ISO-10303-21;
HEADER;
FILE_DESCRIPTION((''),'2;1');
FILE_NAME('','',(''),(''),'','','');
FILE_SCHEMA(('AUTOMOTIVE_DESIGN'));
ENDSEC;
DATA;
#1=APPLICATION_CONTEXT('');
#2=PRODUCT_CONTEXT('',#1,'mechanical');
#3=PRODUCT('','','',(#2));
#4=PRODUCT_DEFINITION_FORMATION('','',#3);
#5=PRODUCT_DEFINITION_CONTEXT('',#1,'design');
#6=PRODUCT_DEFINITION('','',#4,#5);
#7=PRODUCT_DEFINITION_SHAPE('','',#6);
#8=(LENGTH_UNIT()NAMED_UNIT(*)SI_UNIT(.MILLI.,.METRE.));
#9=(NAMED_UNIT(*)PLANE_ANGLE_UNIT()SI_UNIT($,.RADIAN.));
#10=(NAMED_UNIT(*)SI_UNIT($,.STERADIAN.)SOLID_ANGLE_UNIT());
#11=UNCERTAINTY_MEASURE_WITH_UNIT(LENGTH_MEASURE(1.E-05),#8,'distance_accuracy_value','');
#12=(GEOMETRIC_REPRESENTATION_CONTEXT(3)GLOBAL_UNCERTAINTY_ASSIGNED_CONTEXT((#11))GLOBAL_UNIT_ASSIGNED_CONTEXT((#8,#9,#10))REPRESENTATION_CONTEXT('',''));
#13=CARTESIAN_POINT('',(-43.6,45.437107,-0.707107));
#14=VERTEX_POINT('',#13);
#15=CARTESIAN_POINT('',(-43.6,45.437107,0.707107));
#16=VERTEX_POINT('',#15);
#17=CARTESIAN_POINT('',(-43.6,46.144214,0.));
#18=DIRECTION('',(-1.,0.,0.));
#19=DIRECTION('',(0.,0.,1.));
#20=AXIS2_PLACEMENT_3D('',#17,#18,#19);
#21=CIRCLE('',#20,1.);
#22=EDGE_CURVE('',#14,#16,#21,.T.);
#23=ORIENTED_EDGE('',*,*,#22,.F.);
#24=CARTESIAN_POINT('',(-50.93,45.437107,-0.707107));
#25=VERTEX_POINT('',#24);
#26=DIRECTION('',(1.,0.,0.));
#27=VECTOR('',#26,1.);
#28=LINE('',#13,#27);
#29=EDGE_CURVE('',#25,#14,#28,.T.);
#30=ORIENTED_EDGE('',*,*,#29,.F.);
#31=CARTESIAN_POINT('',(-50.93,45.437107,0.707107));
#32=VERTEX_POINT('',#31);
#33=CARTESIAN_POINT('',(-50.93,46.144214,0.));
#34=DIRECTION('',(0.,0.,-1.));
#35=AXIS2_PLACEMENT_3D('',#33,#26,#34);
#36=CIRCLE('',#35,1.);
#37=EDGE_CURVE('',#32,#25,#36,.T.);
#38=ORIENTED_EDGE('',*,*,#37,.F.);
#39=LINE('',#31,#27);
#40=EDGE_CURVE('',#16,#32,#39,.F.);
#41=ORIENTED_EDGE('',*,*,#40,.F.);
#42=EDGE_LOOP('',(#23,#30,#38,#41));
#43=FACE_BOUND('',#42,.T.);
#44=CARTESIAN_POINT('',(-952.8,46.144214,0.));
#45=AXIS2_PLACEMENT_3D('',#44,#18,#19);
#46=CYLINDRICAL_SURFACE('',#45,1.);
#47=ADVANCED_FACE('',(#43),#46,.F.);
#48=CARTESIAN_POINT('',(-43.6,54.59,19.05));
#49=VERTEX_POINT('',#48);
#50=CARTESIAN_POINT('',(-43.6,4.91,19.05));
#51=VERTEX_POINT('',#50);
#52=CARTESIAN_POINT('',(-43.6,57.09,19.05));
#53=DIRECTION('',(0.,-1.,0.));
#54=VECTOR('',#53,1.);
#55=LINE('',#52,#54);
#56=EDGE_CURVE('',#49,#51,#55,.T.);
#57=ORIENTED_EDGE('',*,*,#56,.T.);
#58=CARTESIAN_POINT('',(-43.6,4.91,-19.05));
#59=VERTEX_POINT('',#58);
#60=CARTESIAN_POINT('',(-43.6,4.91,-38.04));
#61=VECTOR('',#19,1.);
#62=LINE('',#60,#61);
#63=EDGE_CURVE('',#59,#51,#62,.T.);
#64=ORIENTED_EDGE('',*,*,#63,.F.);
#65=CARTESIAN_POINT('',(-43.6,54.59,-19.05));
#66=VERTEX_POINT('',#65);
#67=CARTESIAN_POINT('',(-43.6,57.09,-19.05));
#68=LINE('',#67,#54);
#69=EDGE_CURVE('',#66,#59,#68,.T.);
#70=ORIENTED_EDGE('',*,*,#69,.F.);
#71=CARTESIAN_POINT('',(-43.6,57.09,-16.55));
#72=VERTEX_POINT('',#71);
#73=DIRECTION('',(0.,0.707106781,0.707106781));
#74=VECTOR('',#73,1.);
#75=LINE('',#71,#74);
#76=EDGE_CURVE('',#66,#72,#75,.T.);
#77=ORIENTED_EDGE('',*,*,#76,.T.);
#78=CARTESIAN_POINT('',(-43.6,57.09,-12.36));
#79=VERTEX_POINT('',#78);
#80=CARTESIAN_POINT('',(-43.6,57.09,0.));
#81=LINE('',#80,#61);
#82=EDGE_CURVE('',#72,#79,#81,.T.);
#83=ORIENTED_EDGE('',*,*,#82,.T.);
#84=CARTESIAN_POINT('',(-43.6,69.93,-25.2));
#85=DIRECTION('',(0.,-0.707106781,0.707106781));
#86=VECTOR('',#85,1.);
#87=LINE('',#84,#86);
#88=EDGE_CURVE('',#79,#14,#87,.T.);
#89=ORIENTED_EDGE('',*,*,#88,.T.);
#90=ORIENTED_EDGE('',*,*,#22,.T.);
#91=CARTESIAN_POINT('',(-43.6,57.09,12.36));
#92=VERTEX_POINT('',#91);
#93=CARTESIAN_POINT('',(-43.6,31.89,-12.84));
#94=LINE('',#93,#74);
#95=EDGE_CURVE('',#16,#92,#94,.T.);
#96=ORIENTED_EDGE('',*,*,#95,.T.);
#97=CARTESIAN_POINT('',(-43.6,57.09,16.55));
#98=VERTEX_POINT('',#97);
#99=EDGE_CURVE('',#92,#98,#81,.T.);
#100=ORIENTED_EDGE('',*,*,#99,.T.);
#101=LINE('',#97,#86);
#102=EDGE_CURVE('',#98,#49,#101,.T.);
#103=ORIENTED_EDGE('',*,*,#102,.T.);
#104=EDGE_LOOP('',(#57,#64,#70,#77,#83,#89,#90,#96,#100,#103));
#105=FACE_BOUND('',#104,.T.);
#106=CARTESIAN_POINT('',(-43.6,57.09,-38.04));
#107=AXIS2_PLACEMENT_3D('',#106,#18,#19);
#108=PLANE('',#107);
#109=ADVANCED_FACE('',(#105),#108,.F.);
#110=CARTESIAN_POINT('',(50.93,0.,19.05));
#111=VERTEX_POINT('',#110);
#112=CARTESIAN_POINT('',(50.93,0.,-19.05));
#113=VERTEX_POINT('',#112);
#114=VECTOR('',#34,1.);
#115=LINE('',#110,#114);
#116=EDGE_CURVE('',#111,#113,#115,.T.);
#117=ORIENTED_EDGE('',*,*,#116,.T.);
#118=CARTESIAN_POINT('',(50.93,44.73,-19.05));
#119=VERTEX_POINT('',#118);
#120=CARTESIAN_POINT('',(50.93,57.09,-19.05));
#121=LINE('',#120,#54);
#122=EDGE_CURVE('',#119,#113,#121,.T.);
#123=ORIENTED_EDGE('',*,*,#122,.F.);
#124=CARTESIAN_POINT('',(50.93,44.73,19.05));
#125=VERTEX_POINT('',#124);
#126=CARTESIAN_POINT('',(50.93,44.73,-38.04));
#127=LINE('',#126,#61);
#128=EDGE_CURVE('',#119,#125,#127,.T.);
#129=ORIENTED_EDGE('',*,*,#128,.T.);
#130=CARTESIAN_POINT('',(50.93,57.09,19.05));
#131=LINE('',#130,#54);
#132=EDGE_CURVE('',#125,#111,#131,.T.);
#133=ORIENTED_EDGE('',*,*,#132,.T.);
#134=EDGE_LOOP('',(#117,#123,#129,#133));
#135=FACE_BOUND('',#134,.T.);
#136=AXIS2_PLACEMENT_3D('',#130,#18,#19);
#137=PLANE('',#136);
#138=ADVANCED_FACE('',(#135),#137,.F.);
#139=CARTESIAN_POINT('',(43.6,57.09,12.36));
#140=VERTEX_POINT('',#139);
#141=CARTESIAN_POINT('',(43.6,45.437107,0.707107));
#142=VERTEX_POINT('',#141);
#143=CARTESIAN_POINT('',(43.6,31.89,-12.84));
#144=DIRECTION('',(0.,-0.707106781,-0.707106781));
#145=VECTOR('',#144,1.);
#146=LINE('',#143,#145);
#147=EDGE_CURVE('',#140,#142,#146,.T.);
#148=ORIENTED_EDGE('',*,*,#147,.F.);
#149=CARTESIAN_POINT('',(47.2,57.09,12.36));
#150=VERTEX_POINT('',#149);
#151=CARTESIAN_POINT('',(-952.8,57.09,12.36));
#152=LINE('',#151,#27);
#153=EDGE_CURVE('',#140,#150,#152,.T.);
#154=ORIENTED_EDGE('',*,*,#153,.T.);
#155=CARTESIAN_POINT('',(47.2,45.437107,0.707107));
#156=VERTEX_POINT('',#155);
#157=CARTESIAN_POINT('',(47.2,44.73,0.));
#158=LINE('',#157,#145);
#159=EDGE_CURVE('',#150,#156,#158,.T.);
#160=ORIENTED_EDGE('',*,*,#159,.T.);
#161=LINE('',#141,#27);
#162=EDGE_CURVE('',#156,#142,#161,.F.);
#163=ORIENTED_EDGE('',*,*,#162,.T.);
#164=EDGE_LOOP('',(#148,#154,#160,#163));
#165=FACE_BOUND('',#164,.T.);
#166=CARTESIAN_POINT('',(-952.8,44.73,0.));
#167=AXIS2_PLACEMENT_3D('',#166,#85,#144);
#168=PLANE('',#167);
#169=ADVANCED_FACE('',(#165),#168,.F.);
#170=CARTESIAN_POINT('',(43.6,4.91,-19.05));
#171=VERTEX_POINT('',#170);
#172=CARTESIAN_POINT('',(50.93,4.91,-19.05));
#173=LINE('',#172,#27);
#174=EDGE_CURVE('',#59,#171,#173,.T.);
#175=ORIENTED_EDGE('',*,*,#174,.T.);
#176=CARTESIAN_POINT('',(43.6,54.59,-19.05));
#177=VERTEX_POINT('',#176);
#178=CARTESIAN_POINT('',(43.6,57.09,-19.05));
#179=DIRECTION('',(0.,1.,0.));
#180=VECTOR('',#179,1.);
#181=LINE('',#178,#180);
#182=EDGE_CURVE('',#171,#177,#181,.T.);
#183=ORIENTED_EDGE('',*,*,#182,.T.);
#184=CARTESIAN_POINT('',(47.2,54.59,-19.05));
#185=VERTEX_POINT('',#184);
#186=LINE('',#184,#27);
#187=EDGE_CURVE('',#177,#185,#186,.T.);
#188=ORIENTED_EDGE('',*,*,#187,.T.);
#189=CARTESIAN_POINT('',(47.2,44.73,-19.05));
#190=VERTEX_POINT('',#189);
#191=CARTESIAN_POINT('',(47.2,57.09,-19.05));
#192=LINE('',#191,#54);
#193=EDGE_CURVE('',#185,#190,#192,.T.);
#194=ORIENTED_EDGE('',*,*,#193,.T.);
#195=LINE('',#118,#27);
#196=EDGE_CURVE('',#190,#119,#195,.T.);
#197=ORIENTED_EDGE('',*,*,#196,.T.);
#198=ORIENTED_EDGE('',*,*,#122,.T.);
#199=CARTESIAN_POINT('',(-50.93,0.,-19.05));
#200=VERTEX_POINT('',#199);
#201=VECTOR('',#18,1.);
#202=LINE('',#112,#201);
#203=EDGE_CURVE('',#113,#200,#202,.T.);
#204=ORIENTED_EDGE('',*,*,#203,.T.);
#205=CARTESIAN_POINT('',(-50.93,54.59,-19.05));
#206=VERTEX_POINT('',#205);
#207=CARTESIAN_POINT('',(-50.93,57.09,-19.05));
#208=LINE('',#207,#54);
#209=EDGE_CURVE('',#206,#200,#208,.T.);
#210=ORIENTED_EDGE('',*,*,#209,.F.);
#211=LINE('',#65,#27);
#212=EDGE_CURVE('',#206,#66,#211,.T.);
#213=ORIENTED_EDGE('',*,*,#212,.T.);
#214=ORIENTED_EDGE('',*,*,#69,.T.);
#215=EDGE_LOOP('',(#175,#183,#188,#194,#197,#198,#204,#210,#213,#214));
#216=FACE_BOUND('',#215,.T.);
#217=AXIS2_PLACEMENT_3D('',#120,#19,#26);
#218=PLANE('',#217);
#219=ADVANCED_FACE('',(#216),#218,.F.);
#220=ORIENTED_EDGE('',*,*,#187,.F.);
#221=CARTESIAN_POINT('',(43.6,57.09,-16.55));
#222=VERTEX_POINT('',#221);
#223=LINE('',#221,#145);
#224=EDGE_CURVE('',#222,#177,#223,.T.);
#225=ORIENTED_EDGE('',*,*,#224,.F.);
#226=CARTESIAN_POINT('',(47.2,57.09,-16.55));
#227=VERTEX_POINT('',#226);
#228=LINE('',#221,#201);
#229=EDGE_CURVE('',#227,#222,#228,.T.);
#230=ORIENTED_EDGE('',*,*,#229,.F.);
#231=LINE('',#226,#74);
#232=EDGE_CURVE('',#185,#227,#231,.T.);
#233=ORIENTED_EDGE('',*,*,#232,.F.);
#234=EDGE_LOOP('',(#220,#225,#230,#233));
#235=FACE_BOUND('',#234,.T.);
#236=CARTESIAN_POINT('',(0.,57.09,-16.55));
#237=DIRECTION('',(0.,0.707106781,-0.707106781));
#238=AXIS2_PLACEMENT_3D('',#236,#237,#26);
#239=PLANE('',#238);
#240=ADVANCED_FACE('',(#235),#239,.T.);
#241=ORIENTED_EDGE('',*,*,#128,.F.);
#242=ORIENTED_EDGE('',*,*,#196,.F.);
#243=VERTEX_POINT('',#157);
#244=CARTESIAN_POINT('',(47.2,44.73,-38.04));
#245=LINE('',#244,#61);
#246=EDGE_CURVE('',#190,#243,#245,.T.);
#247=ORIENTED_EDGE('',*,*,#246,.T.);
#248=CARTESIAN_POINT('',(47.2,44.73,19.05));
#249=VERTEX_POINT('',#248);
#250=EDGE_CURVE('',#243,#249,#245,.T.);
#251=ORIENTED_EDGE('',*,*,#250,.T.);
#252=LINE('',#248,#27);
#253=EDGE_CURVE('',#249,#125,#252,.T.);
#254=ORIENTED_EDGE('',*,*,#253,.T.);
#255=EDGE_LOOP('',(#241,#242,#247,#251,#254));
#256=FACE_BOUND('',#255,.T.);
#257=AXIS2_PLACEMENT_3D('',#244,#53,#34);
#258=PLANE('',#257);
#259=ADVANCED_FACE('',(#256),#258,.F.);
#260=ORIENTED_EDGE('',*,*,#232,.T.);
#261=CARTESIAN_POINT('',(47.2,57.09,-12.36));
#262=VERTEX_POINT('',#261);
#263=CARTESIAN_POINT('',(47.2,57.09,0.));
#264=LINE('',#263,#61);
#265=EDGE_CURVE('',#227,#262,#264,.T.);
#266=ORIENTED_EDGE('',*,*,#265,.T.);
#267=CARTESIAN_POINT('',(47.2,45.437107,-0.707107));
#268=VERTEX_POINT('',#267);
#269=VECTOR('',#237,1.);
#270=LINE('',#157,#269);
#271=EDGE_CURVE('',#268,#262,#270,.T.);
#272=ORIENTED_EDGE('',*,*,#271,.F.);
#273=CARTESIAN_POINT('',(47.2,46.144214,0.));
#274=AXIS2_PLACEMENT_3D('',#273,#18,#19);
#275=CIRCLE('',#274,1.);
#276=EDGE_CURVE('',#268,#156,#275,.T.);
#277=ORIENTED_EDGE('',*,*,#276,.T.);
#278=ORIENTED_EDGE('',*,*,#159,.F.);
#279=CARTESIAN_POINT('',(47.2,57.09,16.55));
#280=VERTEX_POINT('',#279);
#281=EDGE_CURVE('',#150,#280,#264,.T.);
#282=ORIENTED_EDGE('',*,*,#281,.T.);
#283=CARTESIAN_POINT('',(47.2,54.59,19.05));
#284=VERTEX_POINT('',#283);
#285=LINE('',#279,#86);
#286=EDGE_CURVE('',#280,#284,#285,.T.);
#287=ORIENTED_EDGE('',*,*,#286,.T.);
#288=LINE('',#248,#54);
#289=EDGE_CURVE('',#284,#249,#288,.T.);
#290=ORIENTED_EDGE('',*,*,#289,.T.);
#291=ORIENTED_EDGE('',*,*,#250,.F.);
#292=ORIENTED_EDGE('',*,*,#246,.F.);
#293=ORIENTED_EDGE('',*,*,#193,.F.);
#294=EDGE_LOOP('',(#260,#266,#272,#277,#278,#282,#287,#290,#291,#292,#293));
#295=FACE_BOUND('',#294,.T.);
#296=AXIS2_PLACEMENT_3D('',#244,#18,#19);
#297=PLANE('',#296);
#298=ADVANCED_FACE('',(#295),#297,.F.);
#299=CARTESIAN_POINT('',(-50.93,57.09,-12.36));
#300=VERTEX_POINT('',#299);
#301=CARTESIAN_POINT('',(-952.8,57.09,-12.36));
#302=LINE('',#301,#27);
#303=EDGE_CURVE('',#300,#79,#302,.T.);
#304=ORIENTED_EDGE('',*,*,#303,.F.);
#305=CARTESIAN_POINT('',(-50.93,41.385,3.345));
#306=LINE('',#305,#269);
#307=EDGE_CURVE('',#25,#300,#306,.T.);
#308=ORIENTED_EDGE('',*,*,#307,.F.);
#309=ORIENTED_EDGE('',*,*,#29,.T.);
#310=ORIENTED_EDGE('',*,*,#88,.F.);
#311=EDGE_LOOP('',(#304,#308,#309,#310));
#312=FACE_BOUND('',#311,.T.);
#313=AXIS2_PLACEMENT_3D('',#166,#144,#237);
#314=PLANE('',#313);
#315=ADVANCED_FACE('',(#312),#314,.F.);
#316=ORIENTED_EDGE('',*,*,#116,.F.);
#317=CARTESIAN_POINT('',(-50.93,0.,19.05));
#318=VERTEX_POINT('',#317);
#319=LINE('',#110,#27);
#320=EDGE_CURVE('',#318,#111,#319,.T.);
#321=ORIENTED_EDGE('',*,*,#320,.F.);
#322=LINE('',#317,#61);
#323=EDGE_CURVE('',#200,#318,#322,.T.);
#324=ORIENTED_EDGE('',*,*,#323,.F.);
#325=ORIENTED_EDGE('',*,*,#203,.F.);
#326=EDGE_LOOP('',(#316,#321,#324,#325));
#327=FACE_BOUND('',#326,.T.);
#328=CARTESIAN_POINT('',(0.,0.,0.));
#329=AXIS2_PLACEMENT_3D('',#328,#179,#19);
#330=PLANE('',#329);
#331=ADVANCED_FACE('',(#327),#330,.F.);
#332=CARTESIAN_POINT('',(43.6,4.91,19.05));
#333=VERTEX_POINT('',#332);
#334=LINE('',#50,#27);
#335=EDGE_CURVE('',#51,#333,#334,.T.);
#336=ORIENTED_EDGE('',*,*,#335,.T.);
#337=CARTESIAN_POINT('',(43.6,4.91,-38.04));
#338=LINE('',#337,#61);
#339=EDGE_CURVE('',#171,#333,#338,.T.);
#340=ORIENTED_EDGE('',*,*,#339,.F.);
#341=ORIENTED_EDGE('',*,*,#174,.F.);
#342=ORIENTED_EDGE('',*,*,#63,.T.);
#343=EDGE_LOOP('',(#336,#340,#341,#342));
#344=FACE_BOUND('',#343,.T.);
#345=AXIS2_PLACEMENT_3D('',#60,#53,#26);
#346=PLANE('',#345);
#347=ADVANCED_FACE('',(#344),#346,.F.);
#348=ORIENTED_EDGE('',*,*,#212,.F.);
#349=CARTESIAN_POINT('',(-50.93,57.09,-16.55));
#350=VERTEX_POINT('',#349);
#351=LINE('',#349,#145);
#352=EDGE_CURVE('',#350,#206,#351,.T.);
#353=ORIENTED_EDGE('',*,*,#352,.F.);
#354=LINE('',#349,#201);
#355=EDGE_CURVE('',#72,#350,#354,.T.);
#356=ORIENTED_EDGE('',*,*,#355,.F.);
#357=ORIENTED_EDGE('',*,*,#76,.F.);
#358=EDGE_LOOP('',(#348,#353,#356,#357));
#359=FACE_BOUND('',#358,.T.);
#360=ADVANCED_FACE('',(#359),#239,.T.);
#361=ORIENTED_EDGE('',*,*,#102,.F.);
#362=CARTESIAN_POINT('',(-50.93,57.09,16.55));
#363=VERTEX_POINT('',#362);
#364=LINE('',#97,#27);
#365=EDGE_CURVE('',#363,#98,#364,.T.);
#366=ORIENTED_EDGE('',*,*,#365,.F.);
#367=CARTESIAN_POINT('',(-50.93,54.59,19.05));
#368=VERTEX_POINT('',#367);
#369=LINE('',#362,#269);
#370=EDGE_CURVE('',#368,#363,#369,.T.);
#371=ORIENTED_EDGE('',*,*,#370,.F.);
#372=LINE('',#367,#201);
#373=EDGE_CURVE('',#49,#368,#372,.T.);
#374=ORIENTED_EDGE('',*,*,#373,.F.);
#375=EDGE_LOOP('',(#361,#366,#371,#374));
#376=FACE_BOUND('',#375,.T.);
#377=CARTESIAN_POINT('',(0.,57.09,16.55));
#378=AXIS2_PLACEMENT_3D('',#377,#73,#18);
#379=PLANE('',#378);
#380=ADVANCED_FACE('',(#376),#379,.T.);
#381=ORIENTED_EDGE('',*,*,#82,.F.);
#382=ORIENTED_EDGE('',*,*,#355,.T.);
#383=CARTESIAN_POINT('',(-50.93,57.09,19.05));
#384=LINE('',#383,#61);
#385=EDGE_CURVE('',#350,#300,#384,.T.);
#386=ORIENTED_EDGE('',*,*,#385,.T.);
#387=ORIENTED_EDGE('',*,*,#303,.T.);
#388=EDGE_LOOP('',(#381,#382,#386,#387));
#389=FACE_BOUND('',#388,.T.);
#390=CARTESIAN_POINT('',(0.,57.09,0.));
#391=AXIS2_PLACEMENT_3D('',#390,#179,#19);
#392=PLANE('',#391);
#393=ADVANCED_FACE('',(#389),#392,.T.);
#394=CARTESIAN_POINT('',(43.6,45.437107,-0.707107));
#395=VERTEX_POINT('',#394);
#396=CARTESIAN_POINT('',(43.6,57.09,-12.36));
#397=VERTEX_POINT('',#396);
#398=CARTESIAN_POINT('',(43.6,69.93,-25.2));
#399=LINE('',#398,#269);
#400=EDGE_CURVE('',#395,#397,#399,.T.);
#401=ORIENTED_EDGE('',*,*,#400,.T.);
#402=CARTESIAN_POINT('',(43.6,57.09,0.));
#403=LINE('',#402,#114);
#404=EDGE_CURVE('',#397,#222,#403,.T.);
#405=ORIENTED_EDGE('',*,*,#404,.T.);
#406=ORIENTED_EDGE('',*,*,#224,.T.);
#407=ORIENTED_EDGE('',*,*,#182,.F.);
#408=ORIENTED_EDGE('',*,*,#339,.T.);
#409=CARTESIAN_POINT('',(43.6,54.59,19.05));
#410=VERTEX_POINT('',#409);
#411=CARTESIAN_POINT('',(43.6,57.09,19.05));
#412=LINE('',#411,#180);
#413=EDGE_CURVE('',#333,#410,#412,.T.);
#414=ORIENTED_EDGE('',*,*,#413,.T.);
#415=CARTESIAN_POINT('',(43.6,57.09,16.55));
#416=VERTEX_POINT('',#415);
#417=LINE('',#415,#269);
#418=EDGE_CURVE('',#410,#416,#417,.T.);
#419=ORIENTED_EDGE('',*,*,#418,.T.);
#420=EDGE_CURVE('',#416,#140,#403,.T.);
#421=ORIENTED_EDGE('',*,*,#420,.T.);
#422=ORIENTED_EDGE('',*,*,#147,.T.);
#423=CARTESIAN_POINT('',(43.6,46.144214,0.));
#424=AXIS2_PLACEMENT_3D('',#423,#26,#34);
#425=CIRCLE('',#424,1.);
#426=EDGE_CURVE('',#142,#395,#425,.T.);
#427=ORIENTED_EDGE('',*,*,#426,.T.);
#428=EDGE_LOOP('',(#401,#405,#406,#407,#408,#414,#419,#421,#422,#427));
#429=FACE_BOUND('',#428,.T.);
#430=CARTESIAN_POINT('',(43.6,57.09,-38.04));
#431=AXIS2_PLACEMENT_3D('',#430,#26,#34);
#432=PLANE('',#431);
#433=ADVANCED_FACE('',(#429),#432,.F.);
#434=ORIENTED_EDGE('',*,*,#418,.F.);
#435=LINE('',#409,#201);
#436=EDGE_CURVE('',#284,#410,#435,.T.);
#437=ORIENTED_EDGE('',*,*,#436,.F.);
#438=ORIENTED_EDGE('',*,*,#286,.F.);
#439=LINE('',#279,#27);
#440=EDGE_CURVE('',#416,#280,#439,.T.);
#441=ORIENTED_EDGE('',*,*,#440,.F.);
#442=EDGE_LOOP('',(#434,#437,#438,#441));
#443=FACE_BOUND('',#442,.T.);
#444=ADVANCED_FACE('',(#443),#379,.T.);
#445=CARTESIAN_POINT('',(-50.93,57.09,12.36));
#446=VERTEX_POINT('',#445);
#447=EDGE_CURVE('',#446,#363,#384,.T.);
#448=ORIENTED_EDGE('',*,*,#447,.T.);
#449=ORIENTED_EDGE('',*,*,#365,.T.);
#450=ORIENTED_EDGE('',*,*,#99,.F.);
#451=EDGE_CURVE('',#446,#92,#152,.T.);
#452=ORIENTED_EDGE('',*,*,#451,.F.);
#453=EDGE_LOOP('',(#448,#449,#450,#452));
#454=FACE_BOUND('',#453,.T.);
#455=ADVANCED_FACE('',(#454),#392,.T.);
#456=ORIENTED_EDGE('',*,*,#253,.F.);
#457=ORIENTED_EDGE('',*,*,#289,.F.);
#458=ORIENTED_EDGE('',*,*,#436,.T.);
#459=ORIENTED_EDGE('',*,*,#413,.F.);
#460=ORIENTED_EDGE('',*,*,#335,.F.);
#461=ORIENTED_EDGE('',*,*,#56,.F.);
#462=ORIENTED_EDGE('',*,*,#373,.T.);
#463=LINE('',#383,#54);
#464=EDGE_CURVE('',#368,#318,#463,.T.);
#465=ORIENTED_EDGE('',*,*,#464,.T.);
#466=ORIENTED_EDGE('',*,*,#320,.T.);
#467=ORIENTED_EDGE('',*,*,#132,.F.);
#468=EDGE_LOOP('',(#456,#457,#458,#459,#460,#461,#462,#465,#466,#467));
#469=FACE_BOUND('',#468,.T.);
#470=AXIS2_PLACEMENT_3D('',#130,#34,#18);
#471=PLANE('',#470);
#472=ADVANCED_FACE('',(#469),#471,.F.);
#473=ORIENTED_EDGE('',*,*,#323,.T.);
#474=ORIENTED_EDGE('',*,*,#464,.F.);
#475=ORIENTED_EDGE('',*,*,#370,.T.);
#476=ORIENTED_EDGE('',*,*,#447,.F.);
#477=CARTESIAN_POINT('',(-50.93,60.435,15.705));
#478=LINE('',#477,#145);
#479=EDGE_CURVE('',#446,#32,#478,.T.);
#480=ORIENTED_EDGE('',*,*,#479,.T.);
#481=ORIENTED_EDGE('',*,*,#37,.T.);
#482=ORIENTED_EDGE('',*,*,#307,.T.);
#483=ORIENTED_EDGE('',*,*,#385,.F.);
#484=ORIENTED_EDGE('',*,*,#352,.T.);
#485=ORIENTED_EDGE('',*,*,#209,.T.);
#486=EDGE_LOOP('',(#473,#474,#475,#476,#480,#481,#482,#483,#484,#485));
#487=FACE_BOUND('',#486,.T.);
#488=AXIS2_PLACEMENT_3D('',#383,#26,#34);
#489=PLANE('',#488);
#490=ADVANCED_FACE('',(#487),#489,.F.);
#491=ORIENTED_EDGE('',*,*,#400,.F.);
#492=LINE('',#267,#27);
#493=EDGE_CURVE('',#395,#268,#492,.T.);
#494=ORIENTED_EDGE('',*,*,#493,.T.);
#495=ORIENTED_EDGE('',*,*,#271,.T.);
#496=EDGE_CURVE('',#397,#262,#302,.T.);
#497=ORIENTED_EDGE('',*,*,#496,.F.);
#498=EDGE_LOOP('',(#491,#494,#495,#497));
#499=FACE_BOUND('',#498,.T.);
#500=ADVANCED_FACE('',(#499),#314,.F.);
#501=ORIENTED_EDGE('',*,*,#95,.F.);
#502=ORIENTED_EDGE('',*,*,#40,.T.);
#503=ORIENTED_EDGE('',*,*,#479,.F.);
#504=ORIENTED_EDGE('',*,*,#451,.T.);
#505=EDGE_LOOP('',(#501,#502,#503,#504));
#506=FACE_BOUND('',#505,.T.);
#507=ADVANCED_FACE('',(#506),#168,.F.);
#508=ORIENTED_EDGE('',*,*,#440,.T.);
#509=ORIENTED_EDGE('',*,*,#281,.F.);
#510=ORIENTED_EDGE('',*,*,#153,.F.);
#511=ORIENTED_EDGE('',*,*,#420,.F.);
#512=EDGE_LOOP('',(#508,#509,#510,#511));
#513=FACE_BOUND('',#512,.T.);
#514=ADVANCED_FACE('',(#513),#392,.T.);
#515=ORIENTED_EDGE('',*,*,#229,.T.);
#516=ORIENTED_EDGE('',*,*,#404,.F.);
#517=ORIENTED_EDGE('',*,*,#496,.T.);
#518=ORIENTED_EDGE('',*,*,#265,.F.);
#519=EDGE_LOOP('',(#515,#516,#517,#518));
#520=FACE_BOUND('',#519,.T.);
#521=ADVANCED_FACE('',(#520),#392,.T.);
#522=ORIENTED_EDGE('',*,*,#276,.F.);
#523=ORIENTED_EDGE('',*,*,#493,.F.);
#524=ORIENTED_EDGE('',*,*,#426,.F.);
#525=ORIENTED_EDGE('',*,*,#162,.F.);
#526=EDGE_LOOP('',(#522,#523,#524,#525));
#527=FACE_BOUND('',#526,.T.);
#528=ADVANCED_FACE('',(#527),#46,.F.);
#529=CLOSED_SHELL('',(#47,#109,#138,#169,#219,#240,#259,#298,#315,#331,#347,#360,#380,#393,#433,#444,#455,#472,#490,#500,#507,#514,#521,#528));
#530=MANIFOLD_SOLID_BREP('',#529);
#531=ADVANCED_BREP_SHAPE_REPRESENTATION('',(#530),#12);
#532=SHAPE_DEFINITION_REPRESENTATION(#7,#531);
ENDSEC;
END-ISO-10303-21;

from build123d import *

# Parameters (mm, degrees)
ESBO_O1_W                = 101.86
ESBO_O1_H                = 38.1
RESSALTO_EXTRUS_O1_DEPTH = 57.09
ESBO_O2_W                = 87.2
ESBO_O2_H                = 52.18
CORTE_EXTRUS_O1_DEPTH    = 57.09
ESBO_O4_W                = 3.73
ESBO_O4_H                = 12.36
CORTE_EXTRUS_O2_DEPTH    = 57.09
CORTE_EXTRUS_O3_DEPTH    = 1000
FILETE1_R                = 1
CHANFRO1_SIZE            = 2.5


with BuildPart() as part:
    # Esboço1 → Ressalto-extrusão1 (new body)
    with BuildSketch(Plane(origin=(0, 0, 0), x_dir=(1, 0, 0), z_dir=(0, 1, 0))):
        Rectangle(ESBO_O1_W, ESBO_O1_H)
    extrude(amount=RESSALTO_EXTRUS_O1_DEPTH)

    # Esboço2 → Corte-extrusão1 (cut)
    with BuildSketch(Plane.XY.offset(19.05)):
        with Locations((0, 31)):
            Rectangle(ESBO_O2_W, ESBO_O2_H)
    extrude(amount=-CORTE_EXTRUS_O1_DEPTH, mode=Mode.SUBTRACT)

    # Esboço4 → Corte-extrusão2 (cut)
    with BuildSketch(Plane.XY.offset(19.05)):
        with Locations((49.065, 50.91)):
            Rectangle(ESBO_O4_W, ESBO_O4_H)
    extrude(amount=-CORTE_EXTRUS_O2_DEPTH, mode=Mode.SUBTRACT)

    # Esboço5 → Corte-extrusão3 (cut)
    with BuildSketch(Plane(origin=(47.2, 0, 0), x_dir=(0, 0, -1), z_dir=(1, 0, 0))):
        Polygon((0, 44.73), (-12.36, 57.09), (12.36, 57.09), align=None)
    extrude(amount=-CORTE_EXTRUS_O3_DEPTH, mode=Mode.SUBTRACT)

    # Filete1
    filete1_edges = [part.edges().sort_by_distance(p)[0] for p in [
        (-47.265, 44.73, 0),
        (45.4, 44.73, 0),
    ]]
    fillet(filete1_edges, radius=FILETE1_R)

    # Chanfro1
    chanfro1_edges = [part.edges().sort_by_distance(p)[0] for p in [
        (45.4, 57.09, 19.05),
        (-47.265, 57.09, -19.05),
        (45.4, 57.09, -19.05),
        (-47.265, 57.09, 19.05),
    ]]
    chamfer(chanfro1_edges, length=CHANFRO1_SIZE)


solid = part.part
